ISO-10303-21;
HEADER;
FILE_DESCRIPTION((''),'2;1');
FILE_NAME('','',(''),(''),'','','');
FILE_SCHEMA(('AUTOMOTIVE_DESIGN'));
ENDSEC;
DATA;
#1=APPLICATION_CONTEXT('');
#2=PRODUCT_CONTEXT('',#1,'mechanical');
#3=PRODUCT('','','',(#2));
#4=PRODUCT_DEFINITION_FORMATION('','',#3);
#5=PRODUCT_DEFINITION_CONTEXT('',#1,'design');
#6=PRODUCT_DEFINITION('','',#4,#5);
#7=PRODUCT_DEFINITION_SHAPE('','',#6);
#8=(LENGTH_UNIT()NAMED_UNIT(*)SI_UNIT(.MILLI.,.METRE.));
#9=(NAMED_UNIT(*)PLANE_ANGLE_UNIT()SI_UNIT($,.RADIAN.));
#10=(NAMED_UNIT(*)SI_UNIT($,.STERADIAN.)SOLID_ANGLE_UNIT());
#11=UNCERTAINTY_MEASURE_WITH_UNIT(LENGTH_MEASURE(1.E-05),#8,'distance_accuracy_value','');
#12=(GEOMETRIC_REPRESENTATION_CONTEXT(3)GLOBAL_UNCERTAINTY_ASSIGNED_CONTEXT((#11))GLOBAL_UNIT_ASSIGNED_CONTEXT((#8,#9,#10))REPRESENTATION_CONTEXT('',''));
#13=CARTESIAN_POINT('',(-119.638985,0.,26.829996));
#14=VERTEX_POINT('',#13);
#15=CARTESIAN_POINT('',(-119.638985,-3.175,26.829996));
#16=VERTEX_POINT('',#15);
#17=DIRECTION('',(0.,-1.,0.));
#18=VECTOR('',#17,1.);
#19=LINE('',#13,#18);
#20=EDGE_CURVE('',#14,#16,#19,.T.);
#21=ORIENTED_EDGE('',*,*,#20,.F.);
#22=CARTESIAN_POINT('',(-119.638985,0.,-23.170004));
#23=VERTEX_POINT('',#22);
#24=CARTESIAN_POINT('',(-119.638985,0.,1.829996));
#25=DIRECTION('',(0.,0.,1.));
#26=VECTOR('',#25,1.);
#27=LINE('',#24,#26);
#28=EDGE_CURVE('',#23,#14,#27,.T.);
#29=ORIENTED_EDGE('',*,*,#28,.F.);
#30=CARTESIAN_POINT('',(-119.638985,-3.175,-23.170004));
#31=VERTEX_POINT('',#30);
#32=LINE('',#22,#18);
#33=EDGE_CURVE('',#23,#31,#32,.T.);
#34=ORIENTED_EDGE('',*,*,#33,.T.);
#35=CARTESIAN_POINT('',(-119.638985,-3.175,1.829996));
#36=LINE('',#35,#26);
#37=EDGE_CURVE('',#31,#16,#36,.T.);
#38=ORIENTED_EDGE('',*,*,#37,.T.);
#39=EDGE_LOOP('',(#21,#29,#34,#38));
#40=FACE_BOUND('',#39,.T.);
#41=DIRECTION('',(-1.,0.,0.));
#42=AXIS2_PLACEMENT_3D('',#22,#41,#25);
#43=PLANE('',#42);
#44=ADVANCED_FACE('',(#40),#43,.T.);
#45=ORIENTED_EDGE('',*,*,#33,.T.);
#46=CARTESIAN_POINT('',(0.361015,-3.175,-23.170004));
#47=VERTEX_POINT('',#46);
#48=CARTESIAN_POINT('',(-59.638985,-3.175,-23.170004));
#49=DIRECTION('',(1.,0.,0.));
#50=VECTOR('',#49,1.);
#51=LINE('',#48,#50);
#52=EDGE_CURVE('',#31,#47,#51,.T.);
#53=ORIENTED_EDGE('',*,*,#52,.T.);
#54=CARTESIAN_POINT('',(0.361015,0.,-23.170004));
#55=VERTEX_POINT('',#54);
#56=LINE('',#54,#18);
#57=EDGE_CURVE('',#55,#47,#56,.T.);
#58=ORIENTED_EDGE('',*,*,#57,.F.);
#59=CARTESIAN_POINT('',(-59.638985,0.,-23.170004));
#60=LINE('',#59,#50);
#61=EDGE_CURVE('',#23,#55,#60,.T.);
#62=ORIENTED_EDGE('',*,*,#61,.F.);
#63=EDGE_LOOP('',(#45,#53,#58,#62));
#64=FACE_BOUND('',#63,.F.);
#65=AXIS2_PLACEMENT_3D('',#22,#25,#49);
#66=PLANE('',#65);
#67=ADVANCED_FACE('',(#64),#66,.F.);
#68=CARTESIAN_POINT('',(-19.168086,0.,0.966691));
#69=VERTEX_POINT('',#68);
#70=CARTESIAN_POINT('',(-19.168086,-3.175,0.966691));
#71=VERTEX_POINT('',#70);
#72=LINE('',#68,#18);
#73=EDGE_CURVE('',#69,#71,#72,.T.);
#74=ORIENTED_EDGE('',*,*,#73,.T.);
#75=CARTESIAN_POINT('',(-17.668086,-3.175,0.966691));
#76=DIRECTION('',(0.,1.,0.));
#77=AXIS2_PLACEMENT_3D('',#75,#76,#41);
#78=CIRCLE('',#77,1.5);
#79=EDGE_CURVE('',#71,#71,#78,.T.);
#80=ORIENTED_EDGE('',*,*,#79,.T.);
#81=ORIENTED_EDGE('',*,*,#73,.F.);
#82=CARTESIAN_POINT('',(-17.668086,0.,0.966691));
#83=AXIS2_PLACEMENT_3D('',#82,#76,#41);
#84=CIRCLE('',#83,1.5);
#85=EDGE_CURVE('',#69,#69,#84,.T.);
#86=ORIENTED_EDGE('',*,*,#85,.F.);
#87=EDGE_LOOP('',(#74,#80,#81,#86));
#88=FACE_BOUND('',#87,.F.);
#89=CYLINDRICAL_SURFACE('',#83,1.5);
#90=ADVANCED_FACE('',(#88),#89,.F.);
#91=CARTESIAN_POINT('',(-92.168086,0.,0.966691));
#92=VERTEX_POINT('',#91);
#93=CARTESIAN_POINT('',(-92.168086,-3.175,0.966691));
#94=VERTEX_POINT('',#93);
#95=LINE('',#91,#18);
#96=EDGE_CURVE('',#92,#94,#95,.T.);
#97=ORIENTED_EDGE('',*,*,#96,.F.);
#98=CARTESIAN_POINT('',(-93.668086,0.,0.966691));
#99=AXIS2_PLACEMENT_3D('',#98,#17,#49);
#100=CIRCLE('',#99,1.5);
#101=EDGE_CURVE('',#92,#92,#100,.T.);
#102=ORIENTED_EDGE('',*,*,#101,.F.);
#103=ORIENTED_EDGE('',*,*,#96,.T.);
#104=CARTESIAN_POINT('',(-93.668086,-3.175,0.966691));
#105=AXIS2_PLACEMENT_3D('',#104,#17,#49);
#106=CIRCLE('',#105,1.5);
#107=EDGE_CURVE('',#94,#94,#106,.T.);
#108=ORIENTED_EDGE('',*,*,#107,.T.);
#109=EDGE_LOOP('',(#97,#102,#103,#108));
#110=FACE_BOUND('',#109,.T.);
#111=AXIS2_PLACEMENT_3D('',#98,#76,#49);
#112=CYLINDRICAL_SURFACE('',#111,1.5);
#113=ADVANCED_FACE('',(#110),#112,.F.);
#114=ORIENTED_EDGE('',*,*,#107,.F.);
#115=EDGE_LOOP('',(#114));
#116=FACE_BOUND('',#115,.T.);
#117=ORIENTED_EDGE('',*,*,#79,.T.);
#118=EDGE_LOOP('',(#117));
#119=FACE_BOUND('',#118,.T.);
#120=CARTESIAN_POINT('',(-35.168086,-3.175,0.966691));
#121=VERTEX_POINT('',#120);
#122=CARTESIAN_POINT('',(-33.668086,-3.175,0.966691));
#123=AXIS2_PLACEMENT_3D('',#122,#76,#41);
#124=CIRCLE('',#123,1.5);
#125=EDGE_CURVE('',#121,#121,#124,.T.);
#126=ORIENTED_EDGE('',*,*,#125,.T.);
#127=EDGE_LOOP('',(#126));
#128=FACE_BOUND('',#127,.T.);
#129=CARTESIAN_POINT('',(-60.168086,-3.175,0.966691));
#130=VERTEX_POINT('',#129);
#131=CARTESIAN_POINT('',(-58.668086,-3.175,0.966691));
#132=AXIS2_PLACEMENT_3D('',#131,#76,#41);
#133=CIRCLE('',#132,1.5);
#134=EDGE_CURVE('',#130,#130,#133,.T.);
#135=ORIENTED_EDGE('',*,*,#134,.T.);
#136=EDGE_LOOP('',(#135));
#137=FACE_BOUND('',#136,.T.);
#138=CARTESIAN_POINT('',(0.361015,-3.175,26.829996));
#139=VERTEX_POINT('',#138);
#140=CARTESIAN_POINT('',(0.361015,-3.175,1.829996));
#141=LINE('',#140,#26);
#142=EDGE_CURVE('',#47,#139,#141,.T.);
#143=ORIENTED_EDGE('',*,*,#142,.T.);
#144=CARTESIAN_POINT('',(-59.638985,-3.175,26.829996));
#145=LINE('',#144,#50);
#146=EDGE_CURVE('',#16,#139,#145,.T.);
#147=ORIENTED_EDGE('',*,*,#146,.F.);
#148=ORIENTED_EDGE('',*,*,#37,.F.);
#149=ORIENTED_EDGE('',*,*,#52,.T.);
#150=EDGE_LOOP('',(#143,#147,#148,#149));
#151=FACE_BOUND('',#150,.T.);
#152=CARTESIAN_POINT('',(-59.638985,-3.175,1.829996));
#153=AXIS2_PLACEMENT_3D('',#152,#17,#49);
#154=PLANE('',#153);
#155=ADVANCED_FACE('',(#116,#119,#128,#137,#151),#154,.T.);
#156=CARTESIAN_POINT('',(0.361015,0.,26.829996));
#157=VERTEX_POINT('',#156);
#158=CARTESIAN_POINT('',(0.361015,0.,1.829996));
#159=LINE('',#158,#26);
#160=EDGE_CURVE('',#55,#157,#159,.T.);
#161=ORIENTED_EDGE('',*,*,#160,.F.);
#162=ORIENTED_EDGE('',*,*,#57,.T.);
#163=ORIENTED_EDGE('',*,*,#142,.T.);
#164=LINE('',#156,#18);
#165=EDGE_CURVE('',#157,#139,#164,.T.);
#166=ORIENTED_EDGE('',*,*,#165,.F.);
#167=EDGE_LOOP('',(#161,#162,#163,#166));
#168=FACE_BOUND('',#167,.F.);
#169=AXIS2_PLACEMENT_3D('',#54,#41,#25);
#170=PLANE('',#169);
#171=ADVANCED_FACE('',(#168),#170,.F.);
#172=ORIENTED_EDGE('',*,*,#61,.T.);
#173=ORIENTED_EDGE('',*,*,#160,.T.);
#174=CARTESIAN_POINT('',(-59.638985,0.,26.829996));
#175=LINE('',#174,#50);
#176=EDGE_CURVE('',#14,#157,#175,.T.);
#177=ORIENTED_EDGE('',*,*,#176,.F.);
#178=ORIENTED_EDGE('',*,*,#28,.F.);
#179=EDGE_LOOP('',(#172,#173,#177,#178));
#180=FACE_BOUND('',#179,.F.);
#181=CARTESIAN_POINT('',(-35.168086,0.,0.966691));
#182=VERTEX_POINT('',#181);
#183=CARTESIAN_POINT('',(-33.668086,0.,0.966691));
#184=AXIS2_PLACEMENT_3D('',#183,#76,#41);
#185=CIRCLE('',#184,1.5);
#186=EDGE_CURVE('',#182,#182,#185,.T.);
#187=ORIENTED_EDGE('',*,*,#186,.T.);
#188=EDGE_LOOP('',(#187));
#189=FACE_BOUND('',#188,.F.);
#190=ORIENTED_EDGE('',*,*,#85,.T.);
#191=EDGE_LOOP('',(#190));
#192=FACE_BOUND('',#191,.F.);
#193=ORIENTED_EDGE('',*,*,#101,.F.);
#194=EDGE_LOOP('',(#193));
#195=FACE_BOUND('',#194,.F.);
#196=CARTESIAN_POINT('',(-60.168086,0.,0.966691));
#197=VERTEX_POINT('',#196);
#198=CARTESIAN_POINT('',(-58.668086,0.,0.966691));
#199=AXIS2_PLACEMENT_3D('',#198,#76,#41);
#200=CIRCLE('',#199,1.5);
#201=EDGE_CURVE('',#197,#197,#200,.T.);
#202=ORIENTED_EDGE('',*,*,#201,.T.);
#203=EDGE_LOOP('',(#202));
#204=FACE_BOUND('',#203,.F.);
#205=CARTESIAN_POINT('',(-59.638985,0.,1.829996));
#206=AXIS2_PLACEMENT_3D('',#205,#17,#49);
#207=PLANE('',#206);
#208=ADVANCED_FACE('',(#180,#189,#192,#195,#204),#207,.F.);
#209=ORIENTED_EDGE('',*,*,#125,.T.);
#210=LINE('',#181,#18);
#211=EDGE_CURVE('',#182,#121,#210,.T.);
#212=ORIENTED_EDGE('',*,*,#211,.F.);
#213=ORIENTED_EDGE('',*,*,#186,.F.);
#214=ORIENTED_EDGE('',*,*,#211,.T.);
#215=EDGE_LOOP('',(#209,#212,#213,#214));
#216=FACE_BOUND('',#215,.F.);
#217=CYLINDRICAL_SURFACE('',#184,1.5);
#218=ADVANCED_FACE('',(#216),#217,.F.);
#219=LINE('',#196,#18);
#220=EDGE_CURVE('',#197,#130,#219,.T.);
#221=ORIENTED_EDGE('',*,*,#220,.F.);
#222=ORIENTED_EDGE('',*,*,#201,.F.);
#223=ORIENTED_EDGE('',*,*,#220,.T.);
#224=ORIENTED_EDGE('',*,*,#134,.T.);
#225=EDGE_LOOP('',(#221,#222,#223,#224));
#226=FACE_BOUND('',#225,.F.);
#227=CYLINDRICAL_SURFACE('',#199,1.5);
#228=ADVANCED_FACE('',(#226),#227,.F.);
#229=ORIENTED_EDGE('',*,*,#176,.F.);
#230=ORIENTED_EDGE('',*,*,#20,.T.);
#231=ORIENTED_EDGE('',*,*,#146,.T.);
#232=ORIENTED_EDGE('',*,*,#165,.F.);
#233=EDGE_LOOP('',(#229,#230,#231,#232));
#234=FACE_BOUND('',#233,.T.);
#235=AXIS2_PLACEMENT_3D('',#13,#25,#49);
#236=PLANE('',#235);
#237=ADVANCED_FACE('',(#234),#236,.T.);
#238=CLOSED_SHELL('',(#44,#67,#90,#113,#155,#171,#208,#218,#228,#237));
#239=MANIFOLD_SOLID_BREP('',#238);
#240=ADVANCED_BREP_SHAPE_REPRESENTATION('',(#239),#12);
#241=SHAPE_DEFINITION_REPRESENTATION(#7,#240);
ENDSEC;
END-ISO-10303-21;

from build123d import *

# Parameters (mm, degrees)
F0_W     = 120
F0_H     = 50
F0_R     = 1.5
F1_DEPTH = 3.175


with BuildPart() as f1:
    # F0 (on Front) → F1 (new body)
    with BuildSketch(Plane.XZ):
        with Locations((-59.638985, 1.829996)):
            Rectangle(F0_W, F0_H)
        with Locations((-93.668086, 0.966691)):
            Circle(F0_R, mode=Mode.SUBTRACT)
        with BuildLine():
            ThreePointArc((-57.168086, 0.966691), (-58.668086, -0.533309), (-60.168086, 0.966691))
            ThreePointArc((-60.168086, 0.966691), (-58.668086, 2.466691), (-57.168086, 0.966691))
        make_face(mode=Mode.SUBTRACT)
        with BuildLine():
            ThreePointArc((-32.168086, 0.966691), (-33.668086, -0.533309), (-35.168086, 0.966691))
            ThreePointArc((-35.168086, 0.966691), (-33.668086, 2.466691), (-32.168086, 0.966691))
        make_face(mode=Mode.SUBTRACT)
        with BuildLine():
            ThreePointArc((-16.168086, 0.966691), (-17.668086, -0.533309), (-19.168086, 0.966691))
            ThreePointArc((-19.168086, 0.966691), (-17.668086, 2.466691), (-16.168086, 0.966691))
        make_face(mode=Mode.SUBTRACT)
    extrude(amount=F1_DEPTH)


solid = f1.part
